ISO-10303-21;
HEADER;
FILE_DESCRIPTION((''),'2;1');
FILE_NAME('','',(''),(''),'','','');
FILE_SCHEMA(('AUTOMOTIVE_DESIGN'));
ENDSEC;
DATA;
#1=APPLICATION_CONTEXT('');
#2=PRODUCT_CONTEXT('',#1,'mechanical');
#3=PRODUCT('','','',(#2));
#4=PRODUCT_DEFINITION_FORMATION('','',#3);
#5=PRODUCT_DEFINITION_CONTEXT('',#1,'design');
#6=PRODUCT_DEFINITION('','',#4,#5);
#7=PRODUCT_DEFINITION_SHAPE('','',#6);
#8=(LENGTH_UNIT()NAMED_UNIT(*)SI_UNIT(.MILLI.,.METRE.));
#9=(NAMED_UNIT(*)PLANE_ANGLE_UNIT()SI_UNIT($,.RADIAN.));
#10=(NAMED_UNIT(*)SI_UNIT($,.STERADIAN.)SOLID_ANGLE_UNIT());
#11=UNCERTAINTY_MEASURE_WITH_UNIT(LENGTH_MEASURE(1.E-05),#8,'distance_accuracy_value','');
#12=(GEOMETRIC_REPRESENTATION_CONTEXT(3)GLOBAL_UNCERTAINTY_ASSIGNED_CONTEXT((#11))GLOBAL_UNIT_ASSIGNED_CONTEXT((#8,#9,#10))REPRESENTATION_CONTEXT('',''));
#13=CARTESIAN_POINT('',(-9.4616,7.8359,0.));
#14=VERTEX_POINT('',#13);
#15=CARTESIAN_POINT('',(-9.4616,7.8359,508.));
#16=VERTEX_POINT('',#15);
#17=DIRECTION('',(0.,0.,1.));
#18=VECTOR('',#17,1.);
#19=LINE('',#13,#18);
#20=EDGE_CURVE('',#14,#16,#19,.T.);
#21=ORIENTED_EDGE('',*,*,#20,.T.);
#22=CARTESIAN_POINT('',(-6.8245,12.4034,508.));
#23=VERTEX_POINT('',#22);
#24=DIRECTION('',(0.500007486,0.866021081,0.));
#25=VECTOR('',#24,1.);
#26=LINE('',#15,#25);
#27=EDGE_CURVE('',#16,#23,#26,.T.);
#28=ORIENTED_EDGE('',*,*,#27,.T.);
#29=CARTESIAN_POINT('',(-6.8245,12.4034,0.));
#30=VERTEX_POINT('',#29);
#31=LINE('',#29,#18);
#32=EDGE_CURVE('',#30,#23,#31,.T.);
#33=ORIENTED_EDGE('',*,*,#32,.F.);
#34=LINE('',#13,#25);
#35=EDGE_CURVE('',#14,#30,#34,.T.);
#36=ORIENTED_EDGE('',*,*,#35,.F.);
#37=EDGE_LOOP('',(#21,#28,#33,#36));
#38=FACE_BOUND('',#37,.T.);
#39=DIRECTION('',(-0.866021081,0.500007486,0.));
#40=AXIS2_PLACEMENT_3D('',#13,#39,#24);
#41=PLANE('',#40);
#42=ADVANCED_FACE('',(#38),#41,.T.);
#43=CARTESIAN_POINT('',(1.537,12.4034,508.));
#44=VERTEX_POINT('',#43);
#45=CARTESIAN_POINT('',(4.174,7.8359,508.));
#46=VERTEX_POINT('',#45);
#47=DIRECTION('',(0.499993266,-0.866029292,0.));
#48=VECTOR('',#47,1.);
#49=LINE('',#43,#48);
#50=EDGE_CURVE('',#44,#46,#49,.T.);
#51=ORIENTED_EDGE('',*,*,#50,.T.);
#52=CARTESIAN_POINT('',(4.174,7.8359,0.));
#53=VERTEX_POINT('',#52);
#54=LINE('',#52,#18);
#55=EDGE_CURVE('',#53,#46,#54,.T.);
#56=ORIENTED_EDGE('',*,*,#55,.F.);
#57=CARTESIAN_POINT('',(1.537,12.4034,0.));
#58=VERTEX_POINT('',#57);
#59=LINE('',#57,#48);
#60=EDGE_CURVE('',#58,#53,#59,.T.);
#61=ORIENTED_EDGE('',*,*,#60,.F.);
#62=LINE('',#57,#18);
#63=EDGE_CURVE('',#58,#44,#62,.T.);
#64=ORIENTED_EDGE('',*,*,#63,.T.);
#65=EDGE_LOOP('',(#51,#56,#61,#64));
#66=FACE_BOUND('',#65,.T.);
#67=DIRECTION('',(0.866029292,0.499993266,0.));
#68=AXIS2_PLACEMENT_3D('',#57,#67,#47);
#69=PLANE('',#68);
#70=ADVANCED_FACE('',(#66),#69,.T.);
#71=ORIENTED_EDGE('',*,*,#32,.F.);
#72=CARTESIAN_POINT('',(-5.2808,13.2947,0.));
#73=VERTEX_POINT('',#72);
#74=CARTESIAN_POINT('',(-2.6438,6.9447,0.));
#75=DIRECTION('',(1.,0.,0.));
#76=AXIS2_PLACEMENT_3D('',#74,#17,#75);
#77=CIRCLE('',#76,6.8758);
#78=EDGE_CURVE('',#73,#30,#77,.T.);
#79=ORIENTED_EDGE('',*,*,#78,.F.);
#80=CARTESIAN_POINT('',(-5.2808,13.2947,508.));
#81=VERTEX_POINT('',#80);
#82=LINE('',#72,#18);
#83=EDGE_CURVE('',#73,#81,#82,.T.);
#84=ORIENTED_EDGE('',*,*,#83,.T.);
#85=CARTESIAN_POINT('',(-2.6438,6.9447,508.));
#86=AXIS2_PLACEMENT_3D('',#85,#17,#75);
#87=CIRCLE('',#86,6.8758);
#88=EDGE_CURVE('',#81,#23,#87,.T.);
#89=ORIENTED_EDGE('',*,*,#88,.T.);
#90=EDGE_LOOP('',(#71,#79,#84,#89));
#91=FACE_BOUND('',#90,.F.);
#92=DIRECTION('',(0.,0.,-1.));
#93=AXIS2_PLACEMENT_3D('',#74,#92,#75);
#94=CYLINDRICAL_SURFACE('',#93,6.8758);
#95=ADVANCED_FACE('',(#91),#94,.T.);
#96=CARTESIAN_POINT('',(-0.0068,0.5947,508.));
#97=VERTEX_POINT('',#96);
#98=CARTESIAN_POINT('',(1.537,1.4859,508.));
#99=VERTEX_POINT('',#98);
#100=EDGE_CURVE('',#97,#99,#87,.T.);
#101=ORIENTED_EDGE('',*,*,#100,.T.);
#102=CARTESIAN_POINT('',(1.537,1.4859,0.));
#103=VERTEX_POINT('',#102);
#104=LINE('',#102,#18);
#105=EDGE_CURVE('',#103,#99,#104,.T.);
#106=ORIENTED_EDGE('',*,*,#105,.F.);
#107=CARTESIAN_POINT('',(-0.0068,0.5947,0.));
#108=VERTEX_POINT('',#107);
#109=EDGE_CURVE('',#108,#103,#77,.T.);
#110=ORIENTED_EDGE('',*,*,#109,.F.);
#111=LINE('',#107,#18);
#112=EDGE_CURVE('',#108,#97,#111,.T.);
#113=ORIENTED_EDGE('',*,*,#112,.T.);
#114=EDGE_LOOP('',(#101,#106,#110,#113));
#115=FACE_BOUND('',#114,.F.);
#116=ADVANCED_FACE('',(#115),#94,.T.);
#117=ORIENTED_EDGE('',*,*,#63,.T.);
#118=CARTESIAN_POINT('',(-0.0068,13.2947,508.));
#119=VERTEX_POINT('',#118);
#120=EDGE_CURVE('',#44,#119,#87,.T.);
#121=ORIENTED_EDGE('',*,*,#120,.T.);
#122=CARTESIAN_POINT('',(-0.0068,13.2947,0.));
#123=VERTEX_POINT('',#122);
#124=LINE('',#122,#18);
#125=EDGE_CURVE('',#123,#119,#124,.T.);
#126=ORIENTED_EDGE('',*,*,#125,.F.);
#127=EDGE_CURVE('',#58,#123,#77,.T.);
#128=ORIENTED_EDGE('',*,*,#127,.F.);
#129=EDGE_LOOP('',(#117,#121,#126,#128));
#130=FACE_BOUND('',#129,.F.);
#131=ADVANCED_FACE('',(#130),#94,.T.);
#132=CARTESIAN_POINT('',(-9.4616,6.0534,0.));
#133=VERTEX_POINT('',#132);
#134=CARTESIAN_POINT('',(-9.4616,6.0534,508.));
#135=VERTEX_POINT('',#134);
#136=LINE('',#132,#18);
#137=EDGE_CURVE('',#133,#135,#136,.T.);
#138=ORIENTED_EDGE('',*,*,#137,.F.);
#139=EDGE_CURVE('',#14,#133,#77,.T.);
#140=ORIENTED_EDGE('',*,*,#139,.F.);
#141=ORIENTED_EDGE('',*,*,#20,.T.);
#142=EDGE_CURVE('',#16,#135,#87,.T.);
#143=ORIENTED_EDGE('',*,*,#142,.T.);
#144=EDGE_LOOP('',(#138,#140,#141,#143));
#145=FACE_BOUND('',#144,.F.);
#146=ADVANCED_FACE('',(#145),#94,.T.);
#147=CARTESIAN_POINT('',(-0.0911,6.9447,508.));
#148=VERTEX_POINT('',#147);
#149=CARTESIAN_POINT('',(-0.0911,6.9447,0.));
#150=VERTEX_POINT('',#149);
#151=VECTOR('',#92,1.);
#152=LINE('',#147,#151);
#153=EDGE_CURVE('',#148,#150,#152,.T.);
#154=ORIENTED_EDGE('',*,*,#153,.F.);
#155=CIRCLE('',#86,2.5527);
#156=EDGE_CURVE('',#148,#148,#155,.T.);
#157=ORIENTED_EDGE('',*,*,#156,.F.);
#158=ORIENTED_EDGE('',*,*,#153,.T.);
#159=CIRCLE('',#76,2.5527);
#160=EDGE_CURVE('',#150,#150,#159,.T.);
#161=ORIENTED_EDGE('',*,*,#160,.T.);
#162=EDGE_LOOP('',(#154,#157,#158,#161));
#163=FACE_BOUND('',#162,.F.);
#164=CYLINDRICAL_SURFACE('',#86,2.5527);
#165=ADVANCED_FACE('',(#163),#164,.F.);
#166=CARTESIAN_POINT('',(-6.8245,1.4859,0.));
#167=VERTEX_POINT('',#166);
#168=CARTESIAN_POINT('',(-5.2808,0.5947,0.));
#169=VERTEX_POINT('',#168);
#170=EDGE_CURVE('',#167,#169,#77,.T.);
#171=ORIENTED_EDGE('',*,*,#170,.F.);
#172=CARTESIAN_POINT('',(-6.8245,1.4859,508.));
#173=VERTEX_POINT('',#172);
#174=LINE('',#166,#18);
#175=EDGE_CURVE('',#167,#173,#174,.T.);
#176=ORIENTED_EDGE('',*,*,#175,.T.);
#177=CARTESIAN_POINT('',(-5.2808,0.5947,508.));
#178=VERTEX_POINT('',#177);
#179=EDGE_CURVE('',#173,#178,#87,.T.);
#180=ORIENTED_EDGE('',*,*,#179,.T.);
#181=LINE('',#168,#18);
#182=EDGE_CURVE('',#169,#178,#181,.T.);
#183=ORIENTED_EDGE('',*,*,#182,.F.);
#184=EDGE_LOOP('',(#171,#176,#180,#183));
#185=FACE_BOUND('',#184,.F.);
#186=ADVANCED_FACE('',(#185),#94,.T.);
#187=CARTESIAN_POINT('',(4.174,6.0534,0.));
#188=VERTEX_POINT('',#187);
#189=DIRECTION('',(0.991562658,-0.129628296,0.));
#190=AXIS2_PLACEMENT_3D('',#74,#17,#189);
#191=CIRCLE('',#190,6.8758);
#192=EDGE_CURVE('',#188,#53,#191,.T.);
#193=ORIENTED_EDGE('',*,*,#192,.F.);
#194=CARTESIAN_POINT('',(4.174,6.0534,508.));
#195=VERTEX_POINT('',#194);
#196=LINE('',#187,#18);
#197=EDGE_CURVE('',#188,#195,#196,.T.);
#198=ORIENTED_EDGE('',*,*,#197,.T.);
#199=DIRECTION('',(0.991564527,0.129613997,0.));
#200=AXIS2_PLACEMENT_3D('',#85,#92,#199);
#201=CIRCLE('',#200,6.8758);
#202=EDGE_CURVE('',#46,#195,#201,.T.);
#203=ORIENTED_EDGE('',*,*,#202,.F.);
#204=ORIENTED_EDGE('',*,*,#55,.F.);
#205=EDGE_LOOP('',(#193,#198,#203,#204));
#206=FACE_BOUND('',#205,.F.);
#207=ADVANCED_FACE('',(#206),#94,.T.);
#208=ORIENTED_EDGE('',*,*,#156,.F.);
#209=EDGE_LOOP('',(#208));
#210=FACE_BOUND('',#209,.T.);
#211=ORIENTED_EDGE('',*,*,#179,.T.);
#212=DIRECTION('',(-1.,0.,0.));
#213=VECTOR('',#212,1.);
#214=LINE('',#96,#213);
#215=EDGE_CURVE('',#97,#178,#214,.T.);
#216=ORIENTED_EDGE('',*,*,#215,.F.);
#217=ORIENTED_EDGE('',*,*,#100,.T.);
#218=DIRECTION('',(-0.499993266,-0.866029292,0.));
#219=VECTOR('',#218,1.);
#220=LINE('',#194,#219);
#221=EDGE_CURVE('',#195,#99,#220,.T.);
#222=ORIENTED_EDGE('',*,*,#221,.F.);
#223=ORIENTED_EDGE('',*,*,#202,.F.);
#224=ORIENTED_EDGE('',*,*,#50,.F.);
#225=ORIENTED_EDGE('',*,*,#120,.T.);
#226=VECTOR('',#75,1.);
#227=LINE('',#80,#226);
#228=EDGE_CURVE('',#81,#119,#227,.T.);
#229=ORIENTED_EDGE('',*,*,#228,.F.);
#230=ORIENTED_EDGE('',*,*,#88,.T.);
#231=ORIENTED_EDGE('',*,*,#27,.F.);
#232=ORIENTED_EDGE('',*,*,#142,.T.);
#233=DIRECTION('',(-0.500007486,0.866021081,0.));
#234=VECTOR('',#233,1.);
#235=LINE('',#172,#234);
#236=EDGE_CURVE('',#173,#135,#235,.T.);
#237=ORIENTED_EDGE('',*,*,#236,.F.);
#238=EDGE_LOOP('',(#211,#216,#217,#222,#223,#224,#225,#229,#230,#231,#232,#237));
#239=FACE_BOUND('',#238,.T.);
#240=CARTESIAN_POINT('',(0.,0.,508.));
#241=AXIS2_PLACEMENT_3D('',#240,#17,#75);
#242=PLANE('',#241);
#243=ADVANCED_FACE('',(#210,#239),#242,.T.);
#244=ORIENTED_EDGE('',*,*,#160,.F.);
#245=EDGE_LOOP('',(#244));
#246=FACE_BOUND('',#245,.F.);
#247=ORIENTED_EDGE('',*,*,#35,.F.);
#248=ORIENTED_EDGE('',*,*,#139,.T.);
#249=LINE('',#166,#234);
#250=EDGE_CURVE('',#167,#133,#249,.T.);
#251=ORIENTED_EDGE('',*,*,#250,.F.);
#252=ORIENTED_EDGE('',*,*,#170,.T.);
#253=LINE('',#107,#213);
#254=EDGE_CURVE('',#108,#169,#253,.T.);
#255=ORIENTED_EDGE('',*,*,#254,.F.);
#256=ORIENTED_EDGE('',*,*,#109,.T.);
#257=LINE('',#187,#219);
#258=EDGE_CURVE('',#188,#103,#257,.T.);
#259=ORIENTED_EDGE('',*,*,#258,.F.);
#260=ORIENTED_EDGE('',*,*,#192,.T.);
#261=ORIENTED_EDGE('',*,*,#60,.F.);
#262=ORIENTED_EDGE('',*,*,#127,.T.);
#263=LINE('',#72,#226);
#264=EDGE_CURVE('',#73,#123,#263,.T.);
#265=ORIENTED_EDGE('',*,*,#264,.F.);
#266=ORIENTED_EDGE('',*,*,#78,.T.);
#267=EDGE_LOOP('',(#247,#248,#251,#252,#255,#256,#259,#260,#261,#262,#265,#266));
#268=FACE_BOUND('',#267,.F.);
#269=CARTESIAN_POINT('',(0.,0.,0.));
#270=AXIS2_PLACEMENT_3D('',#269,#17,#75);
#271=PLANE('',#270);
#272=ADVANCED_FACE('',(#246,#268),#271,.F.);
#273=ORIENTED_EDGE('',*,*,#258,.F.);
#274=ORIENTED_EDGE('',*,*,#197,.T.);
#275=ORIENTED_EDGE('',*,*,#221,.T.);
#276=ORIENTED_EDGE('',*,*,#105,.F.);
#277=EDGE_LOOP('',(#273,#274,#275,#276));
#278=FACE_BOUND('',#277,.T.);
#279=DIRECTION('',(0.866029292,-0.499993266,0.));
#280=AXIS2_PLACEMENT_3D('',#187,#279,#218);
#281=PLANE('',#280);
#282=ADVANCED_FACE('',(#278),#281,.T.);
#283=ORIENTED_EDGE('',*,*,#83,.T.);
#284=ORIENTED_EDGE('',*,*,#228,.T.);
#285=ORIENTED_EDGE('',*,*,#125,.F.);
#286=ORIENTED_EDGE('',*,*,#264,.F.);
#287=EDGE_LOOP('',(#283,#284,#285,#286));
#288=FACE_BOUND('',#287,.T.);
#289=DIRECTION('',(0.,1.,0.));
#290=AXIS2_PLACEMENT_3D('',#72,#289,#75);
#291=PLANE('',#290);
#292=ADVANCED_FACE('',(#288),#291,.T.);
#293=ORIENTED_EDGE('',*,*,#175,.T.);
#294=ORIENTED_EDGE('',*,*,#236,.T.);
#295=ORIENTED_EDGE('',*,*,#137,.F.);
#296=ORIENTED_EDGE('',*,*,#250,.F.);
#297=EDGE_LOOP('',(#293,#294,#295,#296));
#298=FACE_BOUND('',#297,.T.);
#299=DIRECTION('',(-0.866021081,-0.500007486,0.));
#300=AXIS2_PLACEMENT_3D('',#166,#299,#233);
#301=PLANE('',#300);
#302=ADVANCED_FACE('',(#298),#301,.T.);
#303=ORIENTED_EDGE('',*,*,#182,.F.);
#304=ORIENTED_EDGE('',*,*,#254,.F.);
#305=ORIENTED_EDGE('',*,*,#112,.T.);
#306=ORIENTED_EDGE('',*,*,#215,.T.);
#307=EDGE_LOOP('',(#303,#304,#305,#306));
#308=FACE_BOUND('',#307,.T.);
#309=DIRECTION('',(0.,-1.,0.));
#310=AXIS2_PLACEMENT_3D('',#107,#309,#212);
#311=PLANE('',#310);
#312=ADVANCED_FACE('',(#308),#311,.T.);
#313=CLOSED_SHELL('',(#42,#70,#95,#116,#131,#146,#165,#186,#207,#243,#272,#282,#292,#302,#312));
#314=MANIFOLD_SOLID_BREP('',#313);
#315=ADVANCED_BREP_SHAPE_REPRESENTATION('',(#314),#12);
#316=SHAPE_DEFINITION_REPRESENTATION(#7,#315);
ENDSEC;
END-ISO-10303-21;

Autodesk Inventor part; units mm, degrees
ref_plane "YZ Plane" through (0, 0, 0) normal (1, 0, 0) x (0, 1, 0)
ref_plane "XZ Plane" through (0, 0, 0) normal (0, 1, 0) x (-1, 0, 0)
ref_plane "XY Plane" through (0, 0, 0) normal (0, 0, 1) x (1, 0, 0)
sketch "Sketch1" plane through (0, 0, 0) normal (0, 0, 1) x (1, 0, 0)
  circle A0 centre (-2.6438, 6.9447) radius 6.8758
  line L0 (-9.4616, 7.8359) -> (-6.8245, 12.4034)
  line L1 (-6.8245, 1.4859) -> (-9.4616, 6.0534)
  line L2 (-0.0068, 0.5947) -> (-5.2808, 0.5947)
  line L3 (4.174, 6.0534) -> (1.537, 1.4859)
  line L4 (1.537, 12.4034) -> (4.174, 7.8359)
  line L5 (-5.2808, 13.2947) -> (-0.0068, 13.2947)
  point P0 (0, 0)
  point P1 (1.537, 1.4859)
  dimension "d0" = 13.7516
  dimension "d4" = 360
extrude "Extrusion1" add sketch "Sketch1" along normal blind 508 contours A0 L3 L2 L1 L0 L5 L4
sketch "Sketch2" plane through (0, 0, 508) normal (0, 0, 1) x (1, 0, 0)
  circle A0 centre (-2.6438, 6.9447) radius 2.5527
  line L0 (-5.2808, 0.5947) -> (-0.0068, 0.5947) projected
  line L1 (-2.6438, 6.9447) -> (-5.2808, 0.5947) construction
  line L2 (-2.6438, 6.9447) -> (-0.0068, 0.5947) construction
  point P0 (0, 0)
  dimension "d8" = 5.1054
  dimension "d9" = 6.35
extrude "Extrusion2" cut sketch "Sketch2" against normal blind 508
equation "\"d6\" = d5"
equation "\"d10\" = d5"
equation "\"d5\" = 508"
properties part number "6in THUNDERSHAFT"
